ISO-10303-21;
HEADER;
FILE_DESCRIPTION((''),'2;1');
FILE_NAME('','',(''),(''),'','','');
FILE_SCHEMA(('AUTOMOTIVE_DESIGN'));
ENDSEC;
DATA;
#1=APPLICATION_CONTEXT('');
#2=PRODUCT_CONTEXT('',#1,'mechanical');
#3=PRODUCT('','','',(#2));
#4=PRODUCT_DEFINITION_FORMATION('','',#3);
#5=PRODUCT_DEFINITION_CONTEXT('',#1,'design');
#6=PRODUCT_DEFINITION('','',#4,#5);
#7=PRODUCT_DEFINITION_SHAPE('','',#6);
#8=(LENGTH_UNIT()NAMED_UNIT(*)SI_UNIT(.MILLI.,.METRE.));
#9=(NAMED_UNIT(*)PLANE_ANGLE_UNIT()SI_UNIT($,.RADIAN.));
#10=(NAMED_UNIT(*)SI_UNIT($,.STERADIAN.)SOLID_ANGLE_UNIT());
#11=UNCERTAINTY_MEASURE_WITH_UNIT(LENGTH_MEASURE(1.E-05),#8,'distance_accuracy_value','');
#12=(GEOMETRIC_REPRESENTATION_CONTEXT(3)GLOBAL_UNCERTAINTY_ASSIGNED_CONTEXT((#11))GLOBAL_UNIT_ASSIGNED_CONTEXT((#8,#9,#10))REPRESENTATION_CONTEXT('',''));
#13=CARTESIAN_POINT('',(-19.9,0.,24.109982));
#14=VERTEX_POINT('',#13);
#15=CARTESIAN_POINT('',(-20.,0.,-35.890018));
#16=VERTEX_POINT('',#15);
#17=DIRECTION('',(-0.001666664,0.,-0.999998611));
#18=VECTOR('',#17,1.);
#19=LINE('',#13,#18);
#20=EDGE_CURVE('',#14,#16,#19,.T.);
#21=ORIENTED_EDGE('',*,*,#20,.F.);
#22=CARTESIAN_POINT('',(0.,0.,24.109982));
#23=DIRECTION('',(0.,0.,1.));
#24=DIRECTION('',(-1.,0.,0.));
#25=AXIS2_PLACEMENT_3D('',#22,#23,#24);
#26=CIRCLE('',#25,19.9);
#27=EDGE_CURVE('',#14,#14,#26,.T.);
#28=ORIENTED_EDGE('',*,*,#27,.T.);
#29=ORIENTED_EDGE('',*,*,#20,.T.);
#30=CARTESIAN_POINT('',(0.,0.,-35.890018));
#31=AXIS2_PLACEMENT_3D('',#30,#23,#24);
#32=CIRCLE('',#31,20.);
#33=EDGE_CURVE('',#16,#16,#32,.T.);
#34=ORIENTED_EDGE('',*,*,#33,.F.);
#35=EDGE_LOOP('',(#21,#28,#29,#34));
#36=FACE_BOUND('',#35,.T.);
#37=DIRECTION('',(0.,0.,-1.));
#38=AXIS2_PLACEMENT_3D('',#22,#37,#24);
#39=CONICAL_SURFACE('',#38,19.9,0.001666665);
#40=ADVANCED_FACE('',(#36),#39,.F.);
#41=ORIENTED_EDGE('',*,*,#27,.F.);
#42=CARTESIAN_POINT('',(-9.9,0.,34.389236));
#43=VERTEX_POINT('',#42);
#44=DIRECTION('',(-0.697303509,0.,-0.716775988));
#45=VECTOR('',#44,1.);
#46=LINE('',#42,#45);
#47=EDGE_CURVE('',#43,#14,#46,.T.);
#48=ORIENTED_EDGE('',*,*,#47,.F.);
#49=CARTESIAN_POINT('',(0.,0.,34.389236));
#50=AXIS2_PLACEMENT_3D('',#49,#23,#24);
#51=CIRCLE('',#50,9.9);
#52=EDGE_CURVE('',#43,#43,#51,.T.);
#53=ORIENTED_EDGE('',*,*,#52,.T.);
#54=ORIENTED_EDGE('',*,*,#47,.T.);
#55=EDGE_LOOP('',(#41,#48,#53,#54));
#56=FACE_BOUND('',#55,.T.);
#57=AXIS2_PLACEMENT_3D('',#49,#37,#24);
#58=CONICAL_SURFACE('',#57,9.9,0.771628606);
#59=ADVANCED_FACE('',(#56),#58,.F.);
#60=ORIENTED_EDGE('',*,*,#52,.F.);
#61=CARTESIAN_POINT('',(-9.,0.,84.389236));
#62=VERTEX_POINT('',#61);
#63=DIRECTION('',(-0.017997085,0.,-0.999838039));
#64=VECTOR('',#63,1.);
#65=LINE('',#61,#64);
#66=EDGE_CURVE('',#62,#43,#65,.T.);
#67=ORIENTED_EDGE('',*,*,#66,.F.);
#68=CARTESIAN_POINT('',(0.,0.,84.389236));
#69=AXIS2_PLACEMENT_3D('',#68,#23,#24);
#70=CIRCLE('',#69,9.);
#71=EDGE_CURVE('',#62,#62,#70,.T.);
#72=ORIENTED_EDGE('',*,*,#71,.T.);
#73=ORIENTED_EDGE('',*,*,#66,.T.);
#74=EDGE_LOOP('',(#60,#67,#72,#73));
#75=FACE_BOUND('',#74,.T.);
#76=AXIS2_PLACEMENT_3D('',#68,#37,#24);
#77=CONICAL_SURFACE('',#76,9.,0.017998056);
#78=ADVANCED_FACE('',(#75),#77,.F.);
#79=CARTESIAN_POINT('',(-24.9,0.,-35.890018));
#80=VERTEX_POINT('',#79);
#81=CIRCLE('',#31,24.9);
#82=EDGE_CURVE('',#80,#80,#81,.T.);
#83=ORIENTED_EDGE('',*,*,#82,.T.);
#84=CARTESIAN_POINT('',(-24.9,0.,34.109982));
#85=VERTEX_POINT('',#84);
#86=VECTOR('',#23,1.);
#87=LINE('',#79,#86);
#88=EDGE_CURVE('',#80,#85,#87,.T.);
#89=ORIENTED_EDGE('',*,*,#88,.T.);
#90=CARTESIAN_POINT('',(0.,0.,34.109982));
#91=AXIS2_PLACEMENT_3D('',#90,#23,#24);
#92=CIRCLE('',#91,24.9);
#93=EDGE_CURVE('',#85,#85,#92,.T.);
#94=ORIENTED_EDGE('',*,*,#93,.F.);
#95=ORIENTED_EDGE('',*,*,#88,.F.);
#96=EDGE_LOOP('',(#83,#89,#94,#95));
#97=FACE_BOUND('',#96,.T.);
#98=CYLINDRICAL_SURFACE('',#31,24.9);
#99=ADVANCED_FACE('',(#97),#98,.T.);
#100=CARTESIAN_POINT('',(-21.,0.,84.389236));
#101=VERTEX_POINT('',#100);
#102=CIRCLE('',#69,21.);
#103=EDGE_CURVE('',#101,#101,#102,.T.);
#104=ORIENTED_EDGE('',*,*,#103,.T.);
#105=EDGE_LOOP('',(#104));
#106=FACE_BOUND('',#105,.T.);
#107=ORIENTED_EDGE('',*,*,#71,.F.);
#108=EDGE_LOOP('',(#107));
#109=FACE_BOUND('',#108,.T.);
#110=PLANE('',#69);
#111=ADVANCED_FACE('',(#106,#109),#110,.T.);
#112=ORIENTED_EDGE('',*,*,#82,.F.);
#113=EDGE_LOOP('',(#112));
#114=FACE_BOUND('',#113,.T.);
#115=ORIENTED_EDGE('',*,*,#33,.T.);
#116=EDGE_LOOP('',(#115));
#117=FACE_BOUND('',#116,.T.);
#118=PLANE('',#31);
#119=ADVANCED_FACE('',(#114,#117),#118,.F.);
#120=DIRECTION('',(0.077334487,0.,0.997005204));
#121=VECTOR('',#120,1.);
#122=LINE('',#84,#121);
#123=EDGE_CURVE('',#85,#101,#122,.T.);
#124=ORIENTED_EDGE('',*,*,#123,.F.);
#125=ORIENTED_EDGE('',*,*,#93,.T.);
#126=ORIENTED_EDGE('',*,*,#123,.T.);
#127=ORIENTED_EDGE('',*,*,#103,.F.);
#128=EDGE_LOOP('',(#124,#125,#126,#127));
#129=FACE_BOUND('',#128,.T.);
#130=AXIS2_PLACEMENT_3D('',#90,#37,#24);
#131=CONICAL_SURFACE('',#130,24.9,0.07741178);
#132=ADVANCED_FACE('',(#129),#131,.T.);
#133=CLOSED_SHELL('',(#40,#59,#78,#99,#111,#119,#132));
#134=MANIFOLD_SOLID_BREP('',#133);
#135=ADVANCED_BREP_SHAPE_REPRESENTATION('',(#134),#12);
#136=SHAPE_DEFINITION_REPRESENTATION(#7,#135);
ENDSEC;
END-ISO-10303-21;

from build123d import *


with BuildPart() as part:
    # Sketch → Revolution (revolve)
    with BuildSketch(Plane.XZ):
        Polygon((-24.9, 34.109982), (-21, 84.389236), (-9, 84.389236), (-9.9, 34.389236), (-19.9, 24.109982), (-20, -35.890018), (-24.9, -35.890018), align=None)
    revolve(axis=Axis((0, 0, 0), (0, 0, 1)))


solid = part.part
